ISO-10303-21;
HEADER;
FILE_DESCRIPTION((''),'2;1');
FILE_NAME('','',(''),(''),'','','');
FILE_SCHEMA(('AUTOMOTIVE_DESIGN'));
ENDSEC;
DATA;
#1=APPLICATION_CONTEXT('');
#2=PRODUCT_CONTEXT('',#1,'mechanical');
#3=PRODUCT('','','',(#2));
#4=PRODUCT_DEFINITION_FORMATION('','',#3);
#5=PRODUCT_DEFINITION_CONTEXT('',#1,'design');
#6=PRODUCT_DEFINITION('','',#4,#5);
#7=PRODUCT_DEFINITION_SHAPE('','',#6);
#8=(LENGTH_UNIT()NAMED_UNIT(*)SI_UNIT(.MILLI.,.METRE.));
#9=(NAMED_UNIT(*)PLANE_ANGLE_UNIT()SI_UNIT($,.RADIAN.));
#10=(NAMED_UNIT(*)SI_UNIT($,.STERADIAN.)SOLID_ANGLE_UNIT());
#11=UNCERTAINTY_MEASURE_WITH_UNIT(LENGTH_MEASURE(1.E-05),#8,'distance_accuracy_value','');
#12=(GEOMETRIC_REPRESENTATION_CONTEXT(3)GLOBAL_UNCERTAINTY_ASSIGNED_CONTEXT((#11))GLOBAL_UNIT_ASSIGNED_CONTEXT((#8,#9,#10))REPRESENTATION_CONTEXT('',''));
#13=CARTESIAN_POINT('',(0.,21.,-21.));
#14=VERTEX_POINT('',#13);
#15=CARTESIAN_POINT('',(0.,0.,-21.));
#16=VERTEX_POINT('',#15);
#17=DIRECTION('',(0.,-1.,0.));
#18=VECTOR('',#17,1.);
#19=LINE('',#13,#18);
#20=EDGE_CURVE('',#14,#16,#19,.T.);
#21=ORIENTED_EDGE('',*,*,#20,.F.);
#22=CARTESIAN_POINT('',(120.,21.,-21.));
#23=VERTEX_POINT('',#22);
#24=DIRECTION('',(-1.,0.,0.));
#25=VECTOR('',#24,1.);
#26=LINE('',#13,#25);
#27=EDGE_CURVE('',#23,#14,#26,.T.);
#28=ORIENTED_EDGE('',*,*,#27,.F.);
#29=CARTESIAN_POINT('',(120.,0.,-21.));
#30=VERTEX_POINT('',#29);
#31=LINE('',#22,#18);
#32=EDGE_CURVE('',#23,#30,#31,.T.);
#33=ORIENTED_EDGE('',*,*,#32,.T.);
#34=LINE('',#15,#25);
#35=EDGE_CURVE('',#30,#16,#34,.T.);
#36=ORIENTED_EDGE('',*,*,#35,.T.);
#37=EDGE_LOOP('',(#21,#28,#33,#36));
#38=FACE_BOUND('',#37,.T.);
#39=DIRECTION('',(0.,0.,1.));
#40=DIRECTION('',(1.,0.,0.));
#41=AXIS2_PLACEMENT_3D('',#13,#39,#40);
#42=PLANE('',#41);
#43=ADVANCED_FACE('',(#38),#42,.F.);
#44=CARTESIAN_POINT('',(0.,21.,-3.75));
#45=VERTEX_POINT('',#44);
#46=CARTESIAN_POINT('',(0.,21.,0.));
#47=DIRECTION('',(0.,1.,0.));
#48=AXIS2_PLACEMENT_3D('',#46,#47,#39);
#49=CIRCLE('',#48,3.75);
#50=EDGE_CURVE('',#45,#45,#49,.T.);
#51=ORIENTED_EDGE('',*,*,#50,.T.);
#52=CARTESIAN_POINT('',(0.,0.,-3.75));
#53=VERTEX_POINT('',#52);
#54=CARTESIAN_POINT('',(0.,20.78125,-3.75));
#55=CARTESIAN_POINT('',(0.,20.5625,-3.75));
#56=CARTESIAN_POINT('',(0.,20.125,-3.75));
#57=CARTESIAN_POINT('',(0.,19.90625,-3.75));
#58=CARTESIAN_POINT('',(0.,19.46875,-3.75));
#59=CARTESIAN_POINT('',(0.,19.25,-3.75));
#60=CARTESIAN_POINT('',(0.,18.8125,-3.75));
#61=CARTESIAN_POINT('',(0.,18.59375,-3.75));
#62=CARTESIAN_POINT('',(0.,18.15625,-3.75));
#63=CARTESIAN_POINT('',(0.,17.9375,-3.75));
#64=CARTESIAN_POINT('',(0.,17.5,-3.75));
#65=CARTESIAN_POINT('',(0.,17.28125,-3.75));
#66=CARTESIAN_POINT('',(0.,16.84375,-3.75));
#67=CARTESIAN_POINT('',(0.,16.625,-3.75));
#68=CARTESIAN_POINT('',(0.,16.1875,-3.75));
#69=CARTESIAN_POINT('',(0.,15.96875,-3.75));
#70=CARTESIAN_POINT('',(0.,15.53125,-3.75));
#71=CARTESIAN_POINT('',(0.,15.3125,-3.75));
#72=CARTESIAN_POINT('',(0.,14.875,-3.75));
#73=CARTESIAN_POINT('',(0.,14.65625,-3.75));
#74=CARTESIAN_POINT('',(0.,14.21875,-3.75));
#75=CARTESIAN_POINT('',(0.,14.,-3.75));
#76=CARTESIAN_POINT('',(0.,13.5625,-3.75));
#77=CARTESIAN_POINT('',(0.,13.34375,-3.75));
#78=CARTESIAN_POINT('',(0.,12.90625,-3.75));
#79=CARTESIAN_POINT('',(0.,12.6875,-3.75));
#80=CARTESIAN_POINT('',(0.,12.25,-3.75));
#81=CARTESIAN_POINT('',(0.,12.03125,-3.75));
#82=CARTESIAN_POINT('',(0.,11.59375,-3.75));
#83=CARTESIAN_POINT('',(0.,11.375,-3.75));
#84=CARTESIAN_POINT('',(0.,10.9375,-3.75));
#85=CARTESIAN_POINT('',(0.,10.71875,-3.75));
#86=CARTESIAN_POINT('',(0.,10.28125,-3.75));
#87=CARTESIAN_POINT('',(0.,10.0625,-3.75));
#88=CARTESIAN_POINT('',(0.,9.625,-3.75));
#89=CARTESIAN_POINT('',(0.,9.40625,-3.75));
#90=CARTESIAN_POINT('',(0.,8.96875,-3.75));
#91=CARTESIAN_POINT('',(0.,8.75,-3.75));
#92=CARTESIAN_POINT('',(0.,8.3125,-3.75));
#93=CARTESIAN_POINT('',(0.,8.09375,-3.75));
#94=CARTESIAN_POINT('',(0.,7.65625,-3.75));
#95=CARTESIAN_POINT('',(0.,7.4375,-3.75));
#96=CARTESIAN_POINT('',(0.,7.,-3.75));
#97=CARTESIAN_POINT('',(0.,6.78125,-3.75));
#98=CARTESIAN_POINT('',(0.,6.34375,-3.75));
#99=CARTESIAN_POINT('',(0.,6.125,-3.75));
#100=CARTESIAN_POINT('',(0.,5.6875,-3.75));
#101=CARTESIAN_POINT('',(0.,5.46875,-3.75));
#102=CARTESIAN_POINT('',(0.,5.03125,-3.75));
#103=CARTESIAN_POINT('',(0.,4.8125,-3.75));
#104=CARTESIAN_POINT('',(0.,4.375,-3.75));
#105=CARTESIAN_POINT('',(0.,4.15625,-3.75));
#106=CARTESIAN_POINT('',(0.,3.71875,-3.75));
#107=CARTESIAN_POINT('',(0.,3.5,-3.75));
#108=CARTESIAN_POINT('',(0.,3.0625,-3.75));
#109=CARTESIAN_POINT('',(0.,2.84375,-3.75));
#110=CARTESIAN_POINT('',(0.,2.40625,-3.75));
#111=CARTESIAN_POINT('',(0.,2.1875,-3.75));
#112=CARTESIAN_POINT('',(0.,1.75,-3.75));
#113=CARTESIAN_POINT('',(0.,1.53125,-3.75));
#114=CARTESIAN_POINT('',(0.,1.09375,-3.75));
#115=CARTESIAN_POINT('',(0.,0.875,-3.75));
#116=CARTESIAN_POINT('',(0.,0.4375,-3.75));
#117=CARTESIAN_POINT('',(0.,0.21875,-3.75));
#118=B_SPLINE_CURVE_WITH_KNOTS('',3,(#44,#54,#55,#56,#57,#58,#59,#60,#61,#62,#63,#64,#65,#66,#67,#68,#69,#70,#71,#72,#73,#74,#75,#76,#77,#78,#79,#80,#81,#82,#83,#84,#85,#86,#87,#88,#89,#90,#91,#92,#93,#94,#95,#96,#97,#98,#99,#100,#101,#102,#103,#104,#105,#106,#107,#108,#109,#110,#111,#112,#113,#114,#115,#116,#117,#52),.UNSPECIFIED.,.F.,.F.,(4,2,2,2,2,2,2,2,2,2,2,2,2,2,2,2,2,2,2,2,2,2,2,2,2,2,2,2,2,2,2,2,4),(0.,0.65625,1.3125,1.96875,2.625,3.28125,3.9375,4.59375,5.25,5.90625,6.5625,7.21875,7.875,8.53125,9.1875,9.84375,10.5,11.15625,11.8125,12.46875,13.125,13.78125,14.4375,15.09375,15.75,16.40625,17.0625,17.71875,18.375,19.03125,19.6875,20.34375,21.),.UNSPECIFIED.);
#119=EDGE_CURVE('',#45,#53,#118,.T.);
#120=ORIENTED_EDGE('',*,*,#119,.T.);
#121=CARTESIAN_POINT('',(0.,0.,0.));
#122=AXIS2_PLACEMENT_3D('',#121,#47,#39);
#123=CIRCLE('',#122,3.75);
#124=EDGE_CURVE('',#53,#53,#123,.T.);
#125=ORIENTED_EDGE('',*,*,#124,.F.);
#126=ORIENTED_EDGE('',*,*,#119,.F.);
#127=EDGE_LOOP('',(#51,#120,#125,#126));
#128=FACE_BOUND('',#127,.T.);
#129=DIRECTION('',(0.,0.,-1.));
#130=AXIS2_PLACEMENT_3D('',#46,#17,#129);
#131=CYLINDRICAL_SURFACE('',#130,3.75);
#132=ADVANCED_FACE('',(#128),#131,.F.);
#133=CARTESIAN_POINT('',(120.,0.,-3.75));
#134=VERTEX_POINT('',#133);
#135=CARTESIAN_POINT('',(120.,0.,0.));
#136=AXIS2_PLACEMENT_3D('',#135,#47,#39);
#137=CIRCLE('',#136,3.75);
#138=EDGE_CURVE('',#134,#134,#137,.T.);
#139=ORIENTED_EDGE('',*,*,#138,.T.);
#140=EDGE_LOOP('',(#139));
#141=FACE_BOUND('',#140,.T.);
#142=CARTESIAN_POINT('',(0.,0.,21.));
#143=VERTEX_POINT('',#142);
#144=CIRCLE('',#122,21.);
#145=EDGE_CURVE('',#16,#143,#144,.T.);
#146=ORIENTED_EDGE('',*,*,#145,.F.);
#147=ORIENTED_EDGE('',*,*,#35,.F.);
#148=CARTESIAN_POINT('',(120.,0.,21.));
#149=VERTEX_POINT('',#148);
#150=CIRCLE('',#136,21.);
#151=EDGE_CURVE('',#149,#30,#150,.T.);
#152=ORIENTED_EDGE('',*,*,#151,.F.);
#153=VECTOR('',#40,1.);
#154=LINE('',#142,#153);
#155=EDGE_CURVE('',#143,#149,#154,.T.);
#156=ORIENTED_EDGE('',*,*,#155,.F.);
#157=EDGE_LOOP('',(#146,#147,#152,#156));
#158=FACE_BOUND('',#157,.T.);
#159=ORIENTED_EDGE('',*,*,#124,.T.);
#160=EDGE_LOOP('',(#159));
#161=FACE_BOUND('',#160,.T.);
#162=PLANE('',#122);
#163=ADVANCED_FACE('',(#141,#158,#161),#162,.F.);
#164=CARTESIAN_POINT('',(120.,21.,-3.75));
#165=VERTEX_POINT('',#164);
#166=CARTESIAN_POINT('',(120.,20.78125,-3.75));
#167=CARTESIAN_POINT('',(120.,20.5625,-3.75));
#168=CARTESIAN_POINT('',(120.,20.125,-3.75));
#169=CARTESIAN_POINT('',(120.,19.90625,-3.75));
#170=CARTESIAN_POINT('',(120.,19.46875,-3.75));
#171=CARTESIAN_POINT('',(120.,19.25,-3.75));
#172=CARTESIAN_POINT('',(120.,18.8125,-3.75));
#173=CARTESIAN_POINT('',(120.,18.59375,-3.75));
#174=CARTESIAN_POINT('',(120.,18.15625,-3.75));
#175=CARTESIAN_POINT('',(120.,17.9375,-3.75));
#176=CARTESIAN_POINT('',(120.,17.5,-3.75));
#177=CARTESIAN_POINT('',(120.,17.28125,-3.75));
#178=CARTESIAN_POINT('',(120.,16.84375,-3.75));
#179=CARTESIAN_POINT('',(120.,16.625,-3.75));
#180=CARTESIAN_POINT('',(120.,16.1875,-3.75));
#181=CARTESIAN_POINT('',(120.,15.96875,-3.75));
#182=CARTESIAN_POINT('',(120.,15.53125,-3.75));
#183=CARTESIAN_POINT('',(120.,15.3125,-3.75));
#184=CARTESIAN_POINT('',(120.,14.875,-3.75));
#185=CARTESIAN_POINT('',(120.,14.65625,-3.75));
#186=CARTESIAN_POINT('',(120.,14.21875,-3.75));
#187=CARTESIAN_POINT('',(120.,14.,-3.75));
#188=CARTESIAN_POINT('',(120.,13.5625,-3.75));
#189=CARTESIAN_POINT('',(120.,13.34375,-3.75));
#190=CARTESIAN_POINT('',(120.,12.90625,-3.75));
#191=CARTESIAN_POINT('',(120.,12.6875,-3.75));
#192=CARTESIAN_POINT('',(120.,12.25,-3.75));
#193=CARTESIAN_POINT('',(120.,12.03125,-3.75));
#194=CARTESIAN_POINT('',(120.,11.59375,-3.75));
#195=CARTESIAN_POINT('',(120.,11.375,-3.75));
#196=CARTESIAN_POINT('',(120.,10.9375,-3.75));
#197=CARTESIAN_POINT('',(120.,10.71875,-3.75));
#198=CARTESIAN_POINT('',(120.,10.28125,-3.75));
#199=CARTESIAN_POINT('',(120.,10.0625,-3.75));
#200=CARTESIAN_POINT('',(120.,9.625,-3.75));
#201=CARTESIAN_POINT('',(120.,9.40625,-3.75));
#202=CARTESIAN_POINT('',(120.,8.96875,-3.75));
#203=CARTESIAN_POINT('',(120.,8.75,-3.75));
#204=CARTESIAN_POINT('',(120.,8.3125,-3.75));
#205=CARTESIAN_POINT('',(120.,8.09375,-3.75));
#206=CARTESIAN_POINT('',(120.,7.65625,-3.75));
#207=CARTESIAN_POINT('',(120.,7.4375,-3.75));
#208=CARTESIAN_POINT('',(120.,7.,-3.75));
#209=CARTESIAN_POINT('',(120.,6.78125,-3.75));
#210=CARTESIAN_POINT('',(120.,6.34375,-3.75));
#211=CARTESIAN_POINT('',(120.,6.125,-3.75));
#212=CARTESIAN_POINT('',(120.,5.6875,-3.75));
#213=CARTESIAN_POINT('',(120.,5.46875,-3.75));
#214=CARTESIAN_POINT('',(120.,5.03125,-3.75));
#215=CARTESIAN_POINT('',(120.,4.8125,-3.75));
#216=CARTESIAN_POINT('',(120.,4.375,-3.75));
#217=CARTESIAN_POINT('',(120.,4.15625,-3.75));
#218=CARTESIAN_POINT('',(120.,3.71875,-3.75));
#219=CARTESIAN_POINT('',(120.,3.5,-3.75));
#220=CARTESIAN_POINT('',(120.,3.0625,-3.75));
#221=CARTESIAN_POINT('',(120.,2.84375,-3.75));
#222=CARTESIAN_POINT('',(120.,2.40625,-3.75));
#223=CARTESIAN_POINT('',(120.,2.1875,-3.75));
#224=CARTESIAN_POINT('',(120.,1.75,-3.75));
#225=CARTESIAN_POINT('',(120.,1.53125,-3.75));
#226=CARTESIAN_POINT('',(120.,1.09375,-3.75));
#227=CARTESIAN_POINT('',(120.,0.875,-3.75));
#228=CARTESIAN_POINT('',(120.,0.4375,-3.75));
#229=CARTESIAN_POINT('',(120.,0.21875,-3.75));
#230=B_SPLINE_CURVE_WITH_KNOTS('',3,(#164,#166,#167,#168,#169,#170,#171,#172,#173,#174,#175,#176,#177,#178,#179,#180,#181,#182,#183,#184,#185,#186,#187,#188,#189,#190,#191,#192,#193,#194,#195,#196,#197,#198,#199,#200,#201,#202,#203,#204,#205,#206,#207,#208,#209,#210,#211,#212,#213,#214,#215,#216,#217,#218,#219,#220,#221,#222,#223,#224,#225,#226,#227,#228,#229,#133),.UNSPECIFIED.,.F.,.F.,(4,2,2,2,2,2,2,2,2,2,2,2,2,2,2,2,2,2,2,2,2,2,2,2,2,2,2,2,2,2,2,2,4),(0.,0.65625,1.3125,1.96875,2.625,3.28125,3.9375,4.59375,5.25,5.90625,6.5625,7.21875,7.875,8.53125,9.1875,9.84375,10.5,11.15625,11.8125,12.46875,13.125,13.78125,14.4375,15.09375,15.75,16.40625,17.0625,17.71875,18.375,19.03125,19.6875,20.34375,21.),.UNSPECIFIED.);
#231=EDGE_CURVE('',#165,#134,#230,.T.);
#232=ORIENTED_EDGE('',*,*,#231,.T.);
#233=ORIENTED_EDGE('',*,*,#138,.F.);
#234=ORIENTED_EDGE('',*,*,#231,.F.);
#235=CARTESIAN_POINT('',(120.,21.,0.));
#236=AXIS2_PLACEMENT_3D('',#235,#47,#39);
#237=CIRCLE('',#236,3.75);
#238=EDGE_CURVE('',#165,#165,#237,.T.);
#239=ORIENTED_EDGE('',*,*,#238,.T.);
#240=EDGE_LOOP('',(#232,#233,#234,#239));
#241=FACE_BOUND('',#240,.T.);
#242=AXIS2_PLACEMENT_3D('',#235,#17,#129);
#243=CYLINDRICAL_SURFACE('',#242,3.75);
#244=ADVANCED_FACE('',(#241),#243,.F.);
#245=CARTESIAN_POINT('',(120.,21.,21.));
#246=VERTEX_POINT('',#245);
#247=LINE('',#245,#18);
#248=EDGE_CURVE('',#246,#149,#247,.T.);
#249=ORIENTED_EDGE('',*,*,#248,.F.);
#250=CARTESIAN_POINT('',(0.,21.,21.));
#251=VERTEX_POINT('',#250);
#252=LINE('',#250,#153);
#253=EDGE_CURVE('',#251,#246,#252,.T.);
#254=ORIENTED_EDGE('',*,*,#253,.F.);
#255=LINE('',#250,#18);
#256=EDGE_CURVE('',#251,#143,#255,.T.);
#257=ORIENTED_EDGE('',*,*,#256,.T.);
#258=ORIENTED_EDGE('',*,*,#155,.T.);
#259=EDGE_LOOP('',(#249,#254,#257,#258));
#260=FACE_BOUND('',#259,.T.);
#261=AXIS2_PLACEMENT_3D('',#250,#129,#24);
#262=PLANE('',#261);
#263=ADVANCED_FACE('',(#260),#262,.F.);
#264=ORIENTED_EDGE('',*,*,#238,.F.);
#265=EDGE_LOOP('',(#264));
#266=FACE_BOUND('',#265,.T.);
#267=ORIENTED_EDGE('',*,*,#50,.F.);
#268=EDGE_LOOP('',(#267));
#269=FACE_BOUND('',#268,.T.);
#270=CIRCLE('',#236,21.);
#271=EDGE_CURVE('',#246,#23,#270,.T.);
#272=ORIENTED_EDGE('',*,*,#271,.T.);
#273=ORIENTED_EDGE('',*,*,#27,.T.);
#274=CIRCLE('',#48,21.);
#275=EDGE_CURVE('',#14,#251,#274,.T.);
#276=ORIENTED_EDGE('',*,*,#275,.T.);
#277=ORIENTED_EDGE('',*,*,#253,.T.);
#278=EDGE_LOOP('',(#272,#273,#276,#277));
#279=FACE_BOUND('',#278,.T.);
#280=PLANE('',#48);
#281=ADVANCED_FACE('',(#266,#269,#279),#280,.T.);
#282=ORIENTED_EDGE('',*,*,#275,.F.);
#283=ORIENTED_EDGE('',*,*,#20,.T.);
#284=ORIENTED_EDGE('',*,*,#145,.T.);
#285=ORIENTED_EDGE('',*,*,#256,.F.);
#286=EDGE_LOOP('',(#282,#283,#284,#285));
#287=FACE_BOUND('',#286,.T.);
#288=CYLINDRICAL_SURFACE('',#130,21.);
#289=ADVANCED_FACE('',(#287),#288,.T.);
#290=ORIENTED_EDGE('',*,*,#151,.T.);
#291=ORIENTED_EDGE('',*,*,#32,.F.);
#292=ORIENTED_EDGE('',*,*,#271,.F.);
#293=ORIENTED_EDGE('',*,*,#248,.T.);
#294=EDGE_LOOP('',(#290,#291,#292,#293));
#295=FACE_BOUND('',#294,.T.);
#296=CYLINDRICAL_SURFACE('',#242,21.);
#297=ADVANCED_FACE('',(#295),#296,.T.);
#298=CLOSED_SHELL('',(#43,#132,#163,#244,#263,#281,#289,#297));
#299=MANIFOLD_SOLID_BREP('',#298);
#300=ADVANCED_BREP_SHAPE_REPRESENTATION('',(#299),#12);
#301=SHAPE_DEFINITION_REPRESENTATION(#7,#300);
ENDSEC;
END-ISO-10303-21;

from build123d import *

# Parameters (mm, degrees)
SKETCH1_R           = 3.75
BOSS_EXTRUDE1_DEPTH = 21


with BuildPart() as part:
    # Sketch1 → Boss-Extrude1 (new body)
    with BuildSketch(Plane(origin=(0, 0, 0), x_dir=(1, 0, 0), z_dir=(0, 1, 0))):
        with BuildLine():
            Line((0, 21), (120, 21))
            ThreePointArc((120, 21), (141, 0), (120, -21))
            Line((120, -21), (0, -21))
            ThreePointArc((0, -21), (-21, 0), (0, 21))
        make_face()
        with Locations(Location((0, 0, 0), (0, 0, 90))):
            Circle(SKETCH1_R, mode=Mode.SUBTRACT)
        with Locations(Location((120, 0, 0), (0, 0, 90))):
            Circle(SKETCH1_R, mode=Mode.SUBTRACT)
    extrude(amount=BOSS_EXTRUDE1_DEPTH)


solid = part.part
